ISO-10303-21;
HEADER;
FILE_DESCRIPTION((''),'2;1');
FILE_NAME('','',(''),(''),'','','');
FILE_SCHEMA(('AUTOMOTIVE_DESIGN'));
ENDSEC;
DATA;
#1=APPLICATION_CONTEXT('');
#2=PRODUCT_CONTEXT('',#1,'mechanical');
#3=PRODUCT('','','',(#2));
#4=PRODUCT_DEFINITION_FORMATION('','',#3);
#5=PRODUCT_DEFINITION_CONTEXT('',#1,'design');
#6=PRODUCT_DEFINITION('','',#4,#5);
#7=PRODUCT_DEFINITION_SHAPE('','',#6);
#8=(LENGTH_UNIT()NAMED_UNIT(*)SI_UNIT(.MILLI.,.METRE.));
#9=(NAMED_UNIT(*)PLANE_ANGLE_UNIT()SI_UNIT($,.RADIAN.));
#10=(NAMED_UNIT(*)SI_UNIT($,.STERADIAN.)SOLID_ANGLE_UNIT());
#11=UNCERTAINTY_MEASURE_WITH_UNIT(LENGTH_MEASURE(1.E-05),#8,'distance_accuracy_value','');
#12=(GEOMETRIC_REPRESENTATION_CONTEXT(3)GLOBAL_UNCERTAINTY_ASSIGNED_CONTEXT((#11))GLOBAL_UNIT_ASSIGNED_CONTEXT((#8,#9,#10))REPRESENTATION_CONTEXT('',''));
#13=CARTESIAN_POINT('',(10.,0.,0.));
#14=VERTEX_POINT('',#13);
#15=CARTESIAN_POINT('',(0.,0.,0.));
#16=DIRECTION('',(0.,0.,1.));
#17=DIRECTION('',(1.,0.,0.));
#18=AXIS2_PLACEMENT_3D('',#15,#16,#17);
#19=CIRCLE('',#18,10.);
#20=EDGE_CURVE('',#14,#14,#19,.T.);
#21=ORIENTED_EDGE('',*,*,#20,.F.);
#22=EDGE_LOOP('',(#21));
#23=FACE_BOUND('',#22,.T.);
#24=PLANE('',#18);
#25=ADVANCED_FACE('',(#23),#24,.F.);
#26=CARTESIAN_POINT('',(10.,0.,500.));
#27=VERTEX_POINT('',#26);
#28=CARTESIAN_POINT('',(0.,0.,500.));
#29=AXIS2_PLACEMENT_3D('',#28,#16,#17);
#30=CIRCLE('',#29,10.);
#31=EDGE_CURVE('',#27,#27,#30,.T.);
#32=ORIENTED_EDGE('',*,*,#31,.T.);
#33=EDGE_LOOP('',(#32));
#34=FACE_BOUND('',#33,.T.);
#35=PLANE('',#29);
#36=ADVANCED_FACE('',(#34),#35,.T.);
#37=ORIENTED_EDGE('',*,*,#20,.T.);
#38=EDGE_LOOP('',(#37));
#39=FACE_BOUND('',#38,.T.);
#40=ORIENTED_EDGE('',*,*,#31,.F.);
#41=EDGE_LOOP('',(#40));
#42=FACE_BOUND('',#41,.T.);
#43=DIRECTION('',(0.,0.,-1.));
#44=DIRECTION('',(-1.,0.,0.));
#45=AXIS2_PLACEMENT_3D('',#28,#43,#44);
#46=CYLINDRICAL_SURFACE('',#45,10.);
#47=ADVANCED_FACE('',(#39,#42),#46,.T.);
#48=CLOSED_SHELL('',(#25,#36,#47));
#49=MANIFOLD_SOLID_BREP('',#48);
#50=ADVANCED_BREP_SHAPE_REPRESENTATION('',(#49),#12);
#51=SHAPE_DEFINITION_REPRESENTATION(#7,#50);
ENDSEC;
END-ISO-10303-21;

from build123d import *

# Parameters (mm, degrees)
ESBO_O1_R                = 10
RESSALTO_EXTRUS_O1_DEPTH = 500


with BuildPart() as part:
    # Esboço1 → Ressalto-extrusão1 (new body)
    with BuildSketch(Plane.XY):
        Circle(ESBO_O1_R)
    extrude(amount=RESSALTO_EXTRUS_O1_DEPTH)


solid = part.part
